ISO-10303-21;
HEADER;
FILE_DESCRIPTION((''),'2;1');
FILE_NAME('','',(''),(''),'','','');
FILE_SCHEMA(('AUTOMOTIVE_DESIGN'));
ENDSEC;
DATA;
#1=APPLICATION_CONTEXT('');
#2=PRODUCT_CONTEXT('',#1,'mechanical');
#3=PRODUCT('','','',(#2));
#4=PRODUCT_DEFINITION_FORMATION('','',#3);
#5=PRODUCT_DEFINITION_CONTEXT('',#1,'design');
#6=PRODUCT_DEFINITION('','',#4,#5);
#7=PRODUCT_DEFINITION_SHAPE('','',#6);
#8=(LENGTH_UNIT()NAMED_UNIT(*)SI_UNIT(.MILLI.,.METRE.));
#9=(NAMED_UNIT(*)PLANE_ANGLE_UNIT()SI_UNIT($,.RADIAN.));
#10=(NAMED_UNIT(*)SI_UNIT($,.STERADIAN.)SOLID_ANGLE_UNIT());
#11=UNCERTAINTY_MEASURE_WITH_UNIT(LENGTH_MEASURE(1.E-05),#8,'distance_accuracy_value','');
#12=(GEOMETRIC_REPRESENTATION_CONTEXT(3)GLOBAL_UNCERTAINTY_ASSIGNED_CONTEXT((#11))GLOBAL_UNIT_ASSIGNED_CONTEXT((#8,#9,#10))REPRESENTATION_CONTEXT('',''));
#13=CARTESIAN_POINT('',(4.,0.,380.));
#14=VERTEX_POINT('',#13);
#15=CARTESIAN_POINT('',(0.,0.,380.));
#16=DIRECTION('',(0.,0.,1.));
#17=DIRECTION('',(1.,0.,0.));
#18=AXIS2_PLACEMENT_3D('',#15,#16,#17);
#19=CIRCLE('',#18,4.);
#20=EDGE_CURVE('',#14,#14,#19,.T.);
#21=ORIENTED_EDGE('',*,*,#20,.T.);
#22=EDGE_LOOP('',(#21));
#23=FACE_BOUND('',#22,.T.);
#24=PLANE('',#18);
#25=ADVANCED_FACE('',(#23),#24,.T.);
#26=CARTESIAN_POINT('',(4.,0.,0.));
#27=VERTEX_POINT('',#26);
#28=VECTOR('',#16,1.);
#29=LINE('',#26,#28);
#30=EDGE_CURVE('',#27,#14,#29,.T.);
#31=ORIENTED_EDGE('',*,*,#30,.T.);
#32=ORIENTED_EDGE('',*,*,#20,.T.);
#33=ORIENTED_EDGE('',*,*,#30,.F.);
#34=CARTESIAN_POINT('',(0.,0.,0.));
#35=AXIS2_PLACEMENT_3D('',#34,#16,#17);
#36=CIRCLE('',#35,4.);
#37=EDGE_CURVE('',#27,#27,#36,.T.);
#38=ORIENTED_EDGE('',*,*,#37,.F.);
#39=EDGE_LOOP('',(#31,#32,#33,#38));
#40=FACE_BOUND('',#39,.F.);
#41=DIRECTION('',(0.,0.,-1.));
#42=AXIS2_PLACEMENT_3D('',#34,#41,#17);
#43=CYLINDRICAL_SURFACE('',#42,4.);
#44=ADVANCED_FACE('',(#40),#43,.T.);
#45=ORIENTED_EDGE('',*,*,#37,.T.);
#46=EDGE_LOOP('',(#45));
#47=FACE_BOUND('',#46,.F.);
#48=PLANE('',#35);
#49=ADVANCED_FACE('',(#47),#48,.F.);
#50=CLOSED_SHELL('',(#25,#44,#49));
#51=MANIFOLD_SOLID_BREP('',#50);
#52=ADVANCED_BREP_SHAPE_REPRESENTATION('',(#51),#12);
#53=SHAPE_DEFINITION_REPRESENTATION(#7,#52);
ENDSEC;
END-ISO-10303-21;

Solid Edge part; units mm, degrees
sketch "Sketch1" plane through (0, 0, 0) normal (0, 0, 1) x (1, 0, 0)
  circle A0 centre (0, 0) radius 4
extrude "Protrusion1" add sketch "Sketch1" along normal blind 380
